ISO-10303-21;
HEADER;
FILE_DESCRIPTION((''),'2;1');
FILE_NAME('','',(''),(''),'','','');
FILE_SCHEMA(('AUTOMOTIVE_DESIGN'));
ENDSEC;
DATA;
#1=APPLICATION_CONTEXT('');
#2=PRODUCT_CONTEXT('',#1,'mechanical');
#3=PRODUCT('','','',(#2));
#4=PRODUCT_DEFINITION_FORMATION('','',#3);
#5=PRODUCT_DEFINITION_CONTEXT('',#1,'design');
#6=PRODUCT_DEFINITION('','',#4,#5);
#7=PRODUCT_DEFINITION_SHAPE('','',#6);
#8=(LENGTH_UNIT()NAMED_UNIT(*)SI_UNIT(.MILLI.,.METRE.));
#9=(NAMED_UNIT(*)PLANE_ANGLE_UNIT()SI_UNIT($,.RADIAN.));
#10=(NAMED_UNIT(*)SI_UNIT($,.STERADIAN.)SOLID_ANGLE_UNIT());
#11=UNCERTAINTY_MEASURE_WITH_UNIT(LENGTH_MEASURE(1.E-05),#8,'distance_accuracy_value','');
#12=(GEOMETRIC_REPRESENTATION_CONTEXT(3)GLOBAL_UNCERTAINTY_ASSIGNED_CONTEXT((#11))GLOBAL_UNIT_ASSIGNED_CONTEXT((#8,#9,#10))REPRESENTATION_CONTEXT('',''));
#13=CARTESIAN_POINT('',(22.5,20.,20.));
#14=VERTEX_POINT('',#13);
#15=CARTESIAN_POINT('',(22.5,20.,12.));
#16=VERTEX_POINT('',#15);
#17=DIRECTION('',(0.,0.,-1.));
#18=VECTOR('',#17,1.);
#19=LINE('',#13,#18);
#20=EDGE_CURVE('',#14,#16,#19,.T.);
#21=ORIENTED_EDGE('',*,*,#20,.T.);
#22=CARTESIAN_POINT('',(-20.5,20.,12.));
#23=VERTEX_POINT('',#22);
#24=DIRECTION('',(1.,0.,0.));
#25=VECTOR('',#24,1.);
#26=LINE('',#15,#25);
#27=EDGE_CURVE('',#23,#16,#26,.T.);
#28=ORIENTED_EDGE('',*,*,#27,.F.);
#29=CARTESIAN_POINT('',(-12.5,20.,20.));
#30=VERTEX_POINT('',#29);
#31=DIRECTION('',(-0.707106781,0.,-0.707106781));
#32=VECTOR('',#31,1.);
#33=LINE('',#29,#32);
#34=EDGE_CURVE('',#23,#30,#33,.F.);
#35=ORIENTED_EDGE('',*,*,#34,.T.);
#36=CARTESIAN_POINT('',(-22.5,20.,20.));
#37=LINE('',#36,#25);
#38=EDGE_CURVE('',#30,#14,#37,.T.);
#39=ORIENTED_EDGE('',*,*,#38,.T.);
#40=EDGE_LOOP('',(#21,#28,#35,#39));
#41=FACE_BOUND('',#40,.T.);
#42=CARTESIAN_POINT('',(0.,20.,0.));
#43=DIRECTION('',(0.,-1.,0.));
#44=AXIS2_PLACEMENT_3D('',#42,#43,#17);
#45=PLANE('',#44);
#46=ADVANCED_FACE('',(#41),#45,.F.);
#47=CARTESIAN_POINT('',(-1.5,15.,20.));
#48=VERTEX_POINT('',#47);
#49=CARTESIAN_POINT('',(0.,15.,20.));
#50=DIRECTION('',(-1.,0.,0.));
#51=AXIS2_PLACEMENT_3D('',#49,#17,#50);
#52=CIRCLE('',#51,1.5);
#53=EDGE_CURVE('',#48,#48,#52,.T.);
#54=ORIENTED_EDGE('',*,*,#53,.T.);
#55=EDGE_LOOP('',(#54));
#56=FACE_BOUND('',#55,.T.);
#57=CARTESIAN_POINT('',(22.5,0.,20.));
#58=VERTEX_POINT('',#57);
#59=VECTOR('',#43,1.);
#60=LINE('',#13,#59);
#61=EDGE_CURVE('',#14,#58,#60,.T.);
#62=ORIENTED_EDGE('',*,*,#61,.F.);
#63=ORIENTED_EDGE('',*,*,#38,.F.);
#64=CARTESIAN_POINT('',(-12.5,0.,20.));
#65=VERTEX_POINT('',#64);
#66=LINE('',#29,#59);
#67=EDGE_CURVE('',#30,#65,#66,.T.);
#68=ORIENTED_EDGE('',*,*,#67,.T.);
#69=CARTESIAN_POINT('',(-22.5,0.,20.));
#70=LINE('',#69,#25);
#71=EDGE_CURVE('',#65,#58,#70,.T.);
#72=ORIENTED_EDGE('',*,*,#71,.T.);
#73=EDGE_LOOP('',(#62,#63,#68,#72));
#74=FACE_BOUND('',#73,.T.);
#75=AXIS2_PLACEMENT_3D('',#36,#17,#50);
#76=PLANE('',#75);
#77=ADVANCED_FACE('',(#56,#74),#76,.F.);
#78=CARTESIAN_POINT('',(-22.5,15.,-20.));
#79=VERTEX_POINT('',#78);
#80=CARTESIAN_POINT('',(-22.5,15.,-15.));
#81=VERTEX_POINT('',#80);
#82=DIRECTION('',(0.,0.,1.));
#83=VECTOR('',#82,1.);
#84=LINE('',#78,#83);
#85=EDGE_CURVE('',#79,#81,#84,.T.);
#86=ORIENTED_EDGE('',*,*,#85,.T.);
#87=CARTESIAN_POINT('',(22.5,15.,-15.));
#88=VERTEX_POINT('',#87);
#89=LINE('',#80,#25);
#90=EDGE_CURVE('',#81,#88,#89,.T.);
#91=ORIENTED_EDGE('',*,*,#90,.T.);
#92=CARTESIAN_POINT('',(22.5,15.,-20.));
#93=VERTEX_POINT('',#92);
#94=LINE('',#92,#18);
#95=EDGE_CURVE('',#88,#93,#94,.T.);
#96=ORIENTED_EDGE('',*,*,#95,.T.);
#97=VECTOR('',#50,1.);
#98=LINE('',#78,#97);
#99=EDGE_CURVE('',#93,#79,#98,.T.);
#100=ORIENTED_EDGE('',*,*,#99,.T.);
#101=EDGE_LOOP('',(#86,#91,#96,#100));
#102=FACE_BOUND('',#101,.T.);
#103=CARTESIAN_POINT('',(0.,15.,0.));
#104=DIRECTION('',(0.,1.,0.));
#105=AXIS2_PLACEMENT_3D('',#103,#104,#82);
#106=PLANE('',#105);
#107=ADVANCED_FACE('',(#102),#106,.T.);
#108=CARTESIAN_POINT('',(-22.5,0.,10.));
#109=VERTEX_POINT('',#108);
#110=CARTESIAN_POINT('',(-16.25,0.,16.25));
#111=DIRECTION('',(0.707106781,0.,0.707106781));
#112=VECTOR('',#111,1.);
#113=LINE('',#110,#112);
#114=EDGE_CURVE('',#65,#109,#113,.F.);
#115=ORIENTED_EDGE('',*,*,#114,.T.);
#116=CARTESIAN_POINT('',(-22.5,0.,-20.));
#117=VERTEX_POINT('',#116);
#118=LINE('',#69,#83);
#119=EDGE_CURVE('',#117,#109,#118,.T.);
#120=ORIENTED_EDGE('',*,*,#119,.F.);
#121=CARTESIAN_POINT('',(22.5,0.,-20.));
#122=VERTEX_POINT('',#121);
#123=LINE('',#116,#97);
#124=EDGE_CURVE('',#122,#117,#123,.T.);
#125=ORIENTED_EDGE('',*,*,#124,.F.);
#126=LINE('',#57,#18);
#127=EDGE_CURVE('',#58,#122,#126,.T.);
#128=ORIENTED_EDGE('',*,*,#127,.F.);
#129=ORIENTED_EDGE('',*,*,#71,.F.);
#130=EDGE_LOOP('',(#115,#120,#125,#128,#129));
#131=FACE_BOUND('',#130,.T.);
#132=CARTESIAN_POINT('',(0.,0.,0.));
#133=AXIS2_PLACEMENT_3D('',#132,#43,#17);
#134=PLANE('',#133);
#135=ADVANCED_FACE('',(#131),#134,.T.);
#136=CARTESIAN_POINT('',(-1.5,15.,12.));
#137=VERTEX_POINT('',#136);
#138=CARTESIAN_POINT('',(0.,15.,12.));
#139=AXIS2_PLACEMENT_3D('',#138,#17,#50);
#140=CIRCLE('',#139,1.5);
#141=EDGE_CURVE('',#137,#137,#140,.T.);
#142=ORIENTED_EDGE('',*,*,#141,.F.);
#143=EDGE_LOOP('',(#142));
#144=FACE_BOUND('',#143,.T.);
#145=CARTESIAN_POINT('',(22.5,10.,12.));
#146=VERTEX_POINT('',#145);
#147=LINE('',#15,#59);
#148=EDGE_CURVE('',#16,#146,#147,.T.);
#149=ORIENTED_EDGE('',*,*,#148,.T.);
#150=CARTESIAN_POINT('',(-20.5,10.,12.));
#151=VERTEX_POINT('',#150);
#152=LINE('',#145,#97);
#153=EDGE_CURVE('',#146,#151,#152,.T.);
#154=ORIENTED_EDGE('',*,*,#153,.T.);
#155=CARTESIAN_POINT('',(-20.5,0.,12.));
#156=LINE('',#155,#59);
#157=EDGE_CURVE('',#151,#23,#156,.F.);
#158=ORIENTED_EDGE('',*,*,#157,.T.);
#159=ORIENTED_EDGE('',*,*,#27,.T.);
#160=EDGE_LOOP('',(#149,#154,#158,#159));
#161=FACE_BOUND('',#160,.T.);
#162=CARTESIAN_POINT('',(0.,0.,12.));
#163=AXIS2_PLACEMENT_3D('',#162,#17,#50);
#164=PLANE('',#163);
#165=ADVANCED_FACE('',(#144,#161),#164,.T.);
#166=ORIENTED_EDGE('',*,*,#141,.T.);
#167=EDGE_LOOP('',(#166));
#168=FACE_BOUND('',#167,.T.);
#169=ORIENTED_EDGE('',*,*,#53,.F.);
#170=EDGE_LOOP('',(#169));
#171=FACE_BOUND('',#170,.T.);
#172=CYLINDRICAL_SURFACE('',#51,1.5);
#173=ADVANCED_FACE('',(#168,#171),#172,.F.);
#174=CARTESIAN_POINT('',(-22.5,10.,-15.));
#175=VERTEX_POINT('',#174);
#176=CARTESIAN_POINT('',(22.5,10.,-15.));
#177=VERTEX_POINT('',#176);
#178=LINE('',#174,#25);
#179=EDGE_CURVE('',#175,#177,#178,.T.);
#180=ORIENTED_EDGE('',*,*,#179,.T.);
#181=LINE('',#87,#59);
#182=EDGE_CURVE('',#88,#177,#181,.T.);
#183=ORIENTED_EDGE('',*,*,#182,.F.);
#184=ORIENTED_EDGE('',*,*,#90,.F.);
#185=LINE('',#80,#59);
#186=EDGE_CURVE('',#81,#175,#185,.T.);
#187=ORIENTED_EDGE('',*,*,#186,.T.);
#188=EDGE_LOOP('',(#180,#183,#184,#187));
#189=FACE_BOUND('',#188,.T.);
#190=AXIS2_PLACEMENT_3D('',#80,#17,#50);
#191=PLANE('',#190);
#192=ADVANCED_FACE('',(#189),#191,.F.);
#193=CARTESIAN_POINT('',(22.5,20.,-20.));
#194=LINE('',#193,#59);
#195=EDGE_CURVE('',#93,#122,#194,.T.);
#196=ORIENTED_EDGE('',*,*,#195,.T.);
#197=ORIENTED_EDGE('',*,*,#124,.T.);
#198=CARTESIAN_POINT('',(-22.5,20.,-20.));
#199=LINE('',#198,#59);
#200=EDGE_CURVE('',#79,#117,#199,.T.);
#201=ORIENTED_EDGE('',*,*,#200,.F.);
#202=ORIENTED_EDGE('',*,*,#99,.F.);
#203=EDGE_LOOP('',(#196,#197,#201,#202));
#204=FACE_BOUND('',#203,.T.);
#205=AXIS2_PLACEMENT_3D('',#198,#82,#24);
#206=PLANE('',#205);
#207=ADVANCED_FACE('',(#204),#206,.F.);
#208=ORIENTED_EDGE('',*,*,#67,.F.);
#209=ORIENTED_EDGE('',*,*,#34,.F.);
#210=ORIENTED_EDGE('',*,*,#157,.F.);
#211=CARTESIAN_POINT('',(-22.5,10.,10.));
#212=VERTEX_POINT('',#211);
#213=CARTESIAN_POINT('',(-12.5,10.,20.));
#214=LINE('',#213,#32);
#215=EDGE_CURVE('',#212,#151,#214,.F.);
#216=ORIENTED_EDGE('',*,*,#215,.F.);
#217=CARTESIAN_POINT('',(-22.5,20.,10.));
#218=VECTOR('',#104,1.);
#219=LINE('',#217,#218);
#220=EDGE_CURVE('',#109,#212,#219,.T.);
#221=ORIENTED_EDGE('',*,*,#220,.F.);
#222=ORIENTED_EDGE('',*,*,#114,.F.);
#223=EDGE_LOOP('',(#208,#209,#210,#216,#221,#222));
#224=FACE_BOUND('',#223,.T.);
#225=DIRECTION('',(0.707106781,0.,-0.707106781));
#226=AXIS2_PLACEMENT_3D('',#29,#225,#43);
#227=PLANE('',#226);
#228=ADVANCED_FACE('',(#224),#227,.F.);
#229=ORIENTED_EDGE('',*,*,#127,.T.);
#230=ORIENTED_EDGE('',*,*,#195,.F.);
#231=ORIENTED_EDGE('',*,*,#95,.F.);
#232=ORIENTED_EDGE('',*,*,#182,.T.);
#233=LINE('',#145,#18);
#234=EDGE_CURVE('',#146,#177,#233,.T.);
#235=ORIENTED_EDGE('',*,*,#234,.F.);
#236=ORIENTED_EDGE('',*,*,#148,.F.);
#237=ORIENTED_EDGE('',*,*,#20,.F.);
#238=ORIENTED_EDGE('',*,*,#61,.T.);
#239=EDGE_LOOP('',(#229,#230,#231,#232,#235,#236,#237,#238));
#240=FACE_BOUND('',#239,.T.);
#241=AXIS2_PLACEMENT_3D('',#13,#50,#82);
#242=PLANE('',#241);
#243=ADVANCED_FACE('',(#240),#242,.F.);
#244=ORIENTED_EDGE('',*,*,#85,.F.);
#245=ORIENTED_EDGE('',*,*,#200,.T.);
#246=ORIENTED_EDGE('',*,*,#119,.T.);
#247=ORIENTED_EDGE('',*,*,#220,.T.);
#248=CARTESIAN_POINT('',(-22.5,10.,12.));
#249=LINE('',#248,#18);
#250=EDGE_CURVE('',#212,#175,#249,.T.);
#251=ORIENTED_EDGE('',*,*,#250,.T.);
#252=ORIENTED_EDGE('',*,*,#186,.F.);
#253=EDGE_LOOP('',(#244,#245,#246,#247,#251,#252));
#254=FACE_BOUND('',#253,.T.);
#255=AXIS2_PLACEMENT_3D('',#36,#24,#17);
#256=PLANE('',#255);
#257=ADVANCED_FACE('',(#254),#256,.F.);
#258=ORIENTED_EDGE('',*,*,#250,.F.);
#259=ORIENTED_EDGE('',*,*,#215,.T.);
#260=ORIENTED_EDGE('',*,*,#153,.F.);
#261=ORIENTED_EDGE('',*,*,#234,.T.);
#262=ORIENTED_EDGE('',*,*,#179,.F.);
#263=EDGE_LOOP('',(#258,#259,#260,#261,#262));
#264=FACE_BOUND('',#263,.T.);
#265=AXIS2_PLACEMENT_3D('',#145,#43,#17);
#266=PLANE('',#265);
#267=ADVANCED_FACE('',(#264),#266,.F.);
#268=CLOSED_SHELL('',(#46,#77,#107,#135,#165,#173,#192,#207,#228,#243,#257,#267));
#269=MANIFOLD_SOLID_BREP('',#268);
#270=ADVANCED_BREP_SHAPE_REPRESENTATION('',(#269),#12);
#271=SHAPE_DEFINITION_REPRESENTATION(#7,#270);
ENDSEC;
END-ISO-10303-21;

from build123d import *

# Parameters (mm, degrees)
SKETCH_1_W          = 45
SKETCH_1_H          = 40
EXTRUDE_1_DEPTH     = 20
SKETCH_2_W          = 45
SKETCH_2_H          = 10
CUT_EXTRUDE_1_DEPTH = 32
SKETCH_3_W          = 45
SKETCH_3_H          = 5
EXTRUDE_2_DEPTH     = 5
SKETCH_4_R          = 1.5
CUT_EXTRUDE_2_DEPTH = 44.934610502
CHAMFER_1_SIZE      = 10


with BuildPart() as part:
    # 草图1 → 凸台-拉伸1 (new body)
    with BuildSketch(Plane(origin=(0, 0, 0), x_dir=(1, 0, 0), z_dir=(0, 1, 0))):
        Rectangle(SKETCH_1_W, SKETCH_1_H)
    extrude(amount=EXTRUDE_1_DEPTH)

    # 草图2 → 切除-拉伸1 (cut)
    with BuildSketch(Plane(origin=(0, 0, -20), x_dir=(-1, 0, 0), z_dir=(0, 0, -1))):
        with Locations((0, 15)):
            Rectangle(SKETCH_2_W, SKETCH_2_H)
    extrude(amount=-CUT_EXTRUDE_1_DEPTH, mode=Mode.SUBTRACT)

    # 草图3 → 凸台-拉伸2 (add)
    with BuildSketch(Plane(origin=(0, 10, 0), x_dir=(1, 0, 0), z_dir=(0, 1, 0))):
        with Locations((0, 17.5)):
            Rectangle(SKETCH_3_W, SKETCH_3_H)
    extrude(amount=EXTRUDE_2_DEPTH)

    # 草图4 → 切除-拉伸2 (cut, through all)
    with BuildSketch(Plane(origin=(0, 0, 12), x_dir=(-1, 0, 0), z_dir=(0, 0, -1))):
        with Locations((0, 15)):
            Circle(SKETCH_4_R)
    extrude(amount=-CUT_EXTRUDE_2_DEPTH, mode=Mode.SUBTRACT)

    # 倒角1
    chamfer_1_edges = [part.edges().sort_by_distance(p)[0] for p in [
        (-22.5, 10, 20),
    ]]
    chamfer(chamfer_1_edges, length=CHAMFER_1_SIZE)


solid = part.part
